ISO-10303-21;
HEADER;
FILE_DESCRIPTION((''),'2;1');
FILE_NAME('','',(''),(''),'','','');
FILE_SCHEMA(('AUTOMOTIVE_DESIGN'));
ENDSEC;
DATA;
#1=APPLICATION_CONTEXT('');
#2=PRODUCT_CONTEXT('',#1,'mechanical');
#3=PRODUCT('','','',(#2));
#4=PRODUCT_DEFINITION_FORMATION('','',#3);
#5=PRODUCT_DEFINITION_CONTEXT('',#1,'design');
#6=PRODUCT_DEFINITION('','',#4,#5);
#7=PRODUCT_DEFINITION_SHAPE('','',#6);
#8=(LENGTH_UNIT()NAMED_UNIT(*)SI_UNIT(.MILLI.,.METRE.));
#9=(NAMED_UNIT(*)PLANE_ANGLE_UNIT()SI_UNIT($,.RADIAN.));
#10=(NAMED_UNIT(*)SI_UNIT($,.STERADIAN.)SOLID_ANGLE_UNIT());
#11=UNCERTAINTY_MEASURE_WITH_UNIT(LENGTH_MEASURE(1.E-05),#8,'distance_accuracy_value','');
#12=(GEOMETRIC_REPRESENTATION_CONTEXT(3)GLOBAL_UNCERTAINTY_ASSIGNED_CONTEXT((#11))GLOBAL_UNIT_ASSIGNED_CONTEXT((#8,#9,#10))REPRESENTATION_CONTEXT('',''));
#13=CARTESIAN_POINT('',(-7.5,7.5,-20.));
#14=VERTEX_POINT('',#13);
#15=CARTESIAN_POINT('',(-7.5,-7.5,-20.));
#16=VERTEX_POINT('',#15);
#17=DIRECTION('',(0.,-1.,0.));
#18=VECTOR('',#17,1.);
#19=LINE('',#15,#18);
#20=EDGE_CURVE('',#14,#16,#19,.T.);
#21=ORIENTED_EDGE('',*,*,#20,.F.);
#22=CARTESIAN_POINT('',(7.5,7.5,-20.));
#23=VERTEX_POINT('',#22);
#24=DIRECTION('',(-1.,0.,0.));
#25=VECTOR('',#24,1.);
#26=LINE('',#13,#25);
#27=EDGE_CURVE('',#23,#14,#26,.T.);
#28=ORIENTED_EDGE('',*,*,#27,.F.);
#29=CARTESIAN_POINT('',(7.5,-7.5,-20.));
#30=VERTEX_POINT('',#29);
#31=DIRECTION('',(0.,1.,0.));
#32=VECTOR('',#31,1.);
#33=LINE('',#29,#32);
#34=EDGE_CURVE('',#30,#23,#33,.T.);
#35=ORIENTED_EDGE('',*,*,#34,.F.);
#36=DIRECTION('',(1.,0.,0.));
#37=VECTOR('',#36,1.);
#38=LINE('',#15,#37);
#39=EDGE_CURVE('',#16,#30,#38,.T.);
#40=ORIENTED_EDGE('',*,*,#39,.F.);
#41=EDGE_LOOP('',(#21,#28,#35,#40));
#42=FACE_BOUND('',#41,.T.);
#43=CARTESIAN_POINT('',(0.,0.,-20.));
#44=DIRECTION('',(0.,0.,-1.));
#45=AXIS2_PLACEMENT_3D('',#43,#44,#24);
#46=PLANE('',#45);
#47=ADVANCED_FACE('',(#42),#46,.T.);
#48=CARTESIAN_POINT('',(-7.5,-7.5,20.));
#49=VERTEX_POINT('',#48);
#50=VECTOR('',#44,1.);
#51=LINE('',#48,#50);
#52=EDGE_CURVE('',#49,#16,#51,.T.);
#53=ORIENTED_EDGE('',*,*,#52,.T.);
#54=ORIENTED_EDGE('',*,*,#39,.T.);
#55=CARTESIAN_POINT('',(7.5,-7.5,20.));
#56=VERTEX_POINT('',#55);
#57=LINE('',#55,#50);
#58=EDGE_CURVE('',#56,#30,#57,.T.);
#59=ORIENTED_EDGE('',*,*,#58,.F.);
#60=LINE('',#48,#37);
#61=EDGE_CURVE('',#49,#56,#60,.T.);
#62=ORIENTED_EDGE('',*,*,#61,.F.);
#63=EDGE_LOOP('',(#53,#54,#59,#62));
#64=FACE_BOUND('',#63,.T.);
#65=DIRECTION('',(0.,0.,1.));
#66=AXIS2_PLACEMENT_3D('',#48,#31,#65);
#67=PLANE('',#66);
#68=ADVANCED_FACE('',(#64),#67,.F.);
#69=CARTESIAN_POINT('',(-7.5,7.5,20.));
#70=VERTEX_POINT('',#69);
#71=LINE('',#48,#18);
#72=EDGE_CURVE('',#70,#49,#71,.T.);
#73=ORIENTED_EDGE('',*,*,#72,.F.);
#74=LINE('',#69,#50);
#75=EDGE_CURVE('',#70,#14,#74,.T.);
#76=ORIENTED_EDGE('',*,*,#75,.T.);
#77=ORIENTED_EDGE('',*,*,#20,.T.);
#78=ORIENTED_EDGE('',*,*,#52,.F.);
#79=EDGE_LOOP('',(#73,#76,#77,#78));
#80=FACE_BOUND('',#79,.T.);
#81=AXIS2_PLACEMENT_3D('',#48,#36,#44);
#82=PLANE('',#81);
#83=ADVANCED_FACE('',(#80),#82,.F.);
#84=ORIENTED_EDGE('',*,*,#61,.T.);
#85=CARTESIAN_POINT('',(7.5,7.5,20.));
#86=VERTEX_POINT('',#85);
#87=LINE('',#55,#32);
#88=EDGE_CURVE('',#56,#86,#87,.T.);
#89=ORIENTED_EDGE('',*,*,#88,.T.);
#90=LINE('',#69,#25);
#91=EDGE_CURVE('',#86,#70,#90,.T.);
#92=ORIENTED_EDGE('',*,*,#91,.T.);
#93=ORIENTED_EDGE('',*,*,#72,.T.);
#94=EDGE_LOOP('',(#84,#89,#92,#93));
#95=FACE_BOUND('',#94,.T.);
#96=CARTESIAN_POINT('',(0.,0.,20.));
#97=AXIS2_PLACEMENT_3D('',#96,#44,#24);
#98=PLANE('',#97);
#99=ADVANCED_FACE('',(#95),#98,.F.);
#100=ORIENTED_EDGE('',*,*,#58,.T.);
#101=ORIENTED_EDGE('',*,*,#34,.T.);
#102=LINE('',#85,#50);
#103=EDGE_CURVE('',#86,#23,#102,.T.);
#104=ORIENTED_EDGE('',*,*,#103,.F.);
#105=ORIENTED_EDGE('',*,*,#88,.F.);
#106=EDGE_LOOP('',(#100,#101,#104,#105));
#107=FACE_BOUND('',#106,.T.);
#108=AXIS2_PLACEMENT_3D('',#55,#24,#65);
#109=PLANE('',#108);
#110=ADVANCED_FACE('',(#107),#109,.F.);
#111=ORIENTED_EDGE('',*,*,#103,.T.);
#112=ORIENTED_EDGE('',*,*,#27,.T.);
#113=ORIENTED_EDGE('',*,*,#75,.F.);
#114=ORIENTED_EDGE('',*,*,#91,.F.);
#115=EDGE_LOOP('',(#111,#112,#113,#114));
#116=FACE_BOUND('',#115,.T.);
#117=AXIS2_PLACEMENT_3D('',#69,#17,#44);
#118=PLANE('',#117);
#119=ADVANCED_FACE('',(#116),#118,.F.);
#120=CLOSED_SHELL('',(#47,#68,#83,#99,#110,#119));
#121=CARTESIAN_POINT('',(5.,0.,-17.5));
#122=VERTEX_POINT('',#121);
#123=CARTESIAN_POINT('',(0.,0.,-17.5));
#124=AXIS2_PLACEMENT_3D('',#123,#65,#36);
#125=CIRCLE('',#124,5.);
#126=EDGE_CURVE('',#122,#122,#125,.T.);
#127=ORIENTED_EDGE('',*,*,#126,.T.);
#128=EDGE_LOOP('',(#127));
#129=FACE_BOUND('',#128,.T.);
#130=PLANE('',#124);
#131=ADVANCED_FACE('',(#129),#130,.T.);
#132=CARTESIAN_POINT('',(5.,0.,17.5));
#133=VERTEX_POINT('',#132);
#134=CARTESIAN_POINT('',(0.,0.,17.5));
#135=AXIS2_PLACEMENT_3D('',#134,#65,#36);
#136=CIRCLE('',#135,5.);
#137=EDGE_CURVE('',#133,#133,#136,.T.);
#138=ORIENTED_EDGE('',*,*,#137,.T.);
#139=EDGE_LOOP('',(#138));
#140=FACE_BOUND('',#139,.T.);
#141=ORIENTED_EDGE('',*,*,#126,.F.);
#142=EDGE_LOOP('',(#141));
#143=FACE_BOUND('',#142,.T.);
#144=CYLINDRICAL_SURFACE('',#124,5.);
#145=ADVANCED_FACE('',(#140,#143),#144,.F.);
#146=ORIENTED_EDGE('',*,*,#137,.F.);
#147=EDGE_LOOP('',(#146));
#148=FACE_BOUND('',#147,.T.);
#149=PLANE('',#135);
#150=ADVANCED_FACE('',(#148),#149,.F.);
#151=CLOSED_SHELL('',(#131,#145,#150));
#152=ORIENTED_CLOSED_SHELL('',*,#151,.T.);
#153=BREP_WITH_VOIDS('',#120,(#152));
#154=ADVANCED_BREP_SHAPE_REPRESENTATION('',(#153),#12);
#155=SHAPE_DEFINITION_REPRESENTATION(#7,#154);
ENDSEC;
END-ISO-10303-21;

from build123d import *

# Parameters (mm, degrees)
SKETCH1_W           = 15
SKETCH1_H           = 15
BOSS_EXTRUDE1_DEPTH = 20
SKETCH2_R           = 5
CUT_EXTRUDE1_DEPTH  = 17.5


with BuildPart() as part:
    # Sketch1 → Boss-Extrude1 (new body, symmetric)
    with BuildSketch(Plane.XY):
        Rectangle(SKETCH1_W, SKETCH1_H)
    extrude(amount=BOSS_EXTRUDE1_DEPTH, both=True)

    # Sketch2 → Cut-Extrude1 (cut, symmetric)
    with BuildSketch(Plane.XY):
        Circle(SKETCH2_R)
    extrude(amount=CUT_EXTRUDE1_DEPTH, both=True, mode=Mode.SUBTRACT)


solid = part.part
